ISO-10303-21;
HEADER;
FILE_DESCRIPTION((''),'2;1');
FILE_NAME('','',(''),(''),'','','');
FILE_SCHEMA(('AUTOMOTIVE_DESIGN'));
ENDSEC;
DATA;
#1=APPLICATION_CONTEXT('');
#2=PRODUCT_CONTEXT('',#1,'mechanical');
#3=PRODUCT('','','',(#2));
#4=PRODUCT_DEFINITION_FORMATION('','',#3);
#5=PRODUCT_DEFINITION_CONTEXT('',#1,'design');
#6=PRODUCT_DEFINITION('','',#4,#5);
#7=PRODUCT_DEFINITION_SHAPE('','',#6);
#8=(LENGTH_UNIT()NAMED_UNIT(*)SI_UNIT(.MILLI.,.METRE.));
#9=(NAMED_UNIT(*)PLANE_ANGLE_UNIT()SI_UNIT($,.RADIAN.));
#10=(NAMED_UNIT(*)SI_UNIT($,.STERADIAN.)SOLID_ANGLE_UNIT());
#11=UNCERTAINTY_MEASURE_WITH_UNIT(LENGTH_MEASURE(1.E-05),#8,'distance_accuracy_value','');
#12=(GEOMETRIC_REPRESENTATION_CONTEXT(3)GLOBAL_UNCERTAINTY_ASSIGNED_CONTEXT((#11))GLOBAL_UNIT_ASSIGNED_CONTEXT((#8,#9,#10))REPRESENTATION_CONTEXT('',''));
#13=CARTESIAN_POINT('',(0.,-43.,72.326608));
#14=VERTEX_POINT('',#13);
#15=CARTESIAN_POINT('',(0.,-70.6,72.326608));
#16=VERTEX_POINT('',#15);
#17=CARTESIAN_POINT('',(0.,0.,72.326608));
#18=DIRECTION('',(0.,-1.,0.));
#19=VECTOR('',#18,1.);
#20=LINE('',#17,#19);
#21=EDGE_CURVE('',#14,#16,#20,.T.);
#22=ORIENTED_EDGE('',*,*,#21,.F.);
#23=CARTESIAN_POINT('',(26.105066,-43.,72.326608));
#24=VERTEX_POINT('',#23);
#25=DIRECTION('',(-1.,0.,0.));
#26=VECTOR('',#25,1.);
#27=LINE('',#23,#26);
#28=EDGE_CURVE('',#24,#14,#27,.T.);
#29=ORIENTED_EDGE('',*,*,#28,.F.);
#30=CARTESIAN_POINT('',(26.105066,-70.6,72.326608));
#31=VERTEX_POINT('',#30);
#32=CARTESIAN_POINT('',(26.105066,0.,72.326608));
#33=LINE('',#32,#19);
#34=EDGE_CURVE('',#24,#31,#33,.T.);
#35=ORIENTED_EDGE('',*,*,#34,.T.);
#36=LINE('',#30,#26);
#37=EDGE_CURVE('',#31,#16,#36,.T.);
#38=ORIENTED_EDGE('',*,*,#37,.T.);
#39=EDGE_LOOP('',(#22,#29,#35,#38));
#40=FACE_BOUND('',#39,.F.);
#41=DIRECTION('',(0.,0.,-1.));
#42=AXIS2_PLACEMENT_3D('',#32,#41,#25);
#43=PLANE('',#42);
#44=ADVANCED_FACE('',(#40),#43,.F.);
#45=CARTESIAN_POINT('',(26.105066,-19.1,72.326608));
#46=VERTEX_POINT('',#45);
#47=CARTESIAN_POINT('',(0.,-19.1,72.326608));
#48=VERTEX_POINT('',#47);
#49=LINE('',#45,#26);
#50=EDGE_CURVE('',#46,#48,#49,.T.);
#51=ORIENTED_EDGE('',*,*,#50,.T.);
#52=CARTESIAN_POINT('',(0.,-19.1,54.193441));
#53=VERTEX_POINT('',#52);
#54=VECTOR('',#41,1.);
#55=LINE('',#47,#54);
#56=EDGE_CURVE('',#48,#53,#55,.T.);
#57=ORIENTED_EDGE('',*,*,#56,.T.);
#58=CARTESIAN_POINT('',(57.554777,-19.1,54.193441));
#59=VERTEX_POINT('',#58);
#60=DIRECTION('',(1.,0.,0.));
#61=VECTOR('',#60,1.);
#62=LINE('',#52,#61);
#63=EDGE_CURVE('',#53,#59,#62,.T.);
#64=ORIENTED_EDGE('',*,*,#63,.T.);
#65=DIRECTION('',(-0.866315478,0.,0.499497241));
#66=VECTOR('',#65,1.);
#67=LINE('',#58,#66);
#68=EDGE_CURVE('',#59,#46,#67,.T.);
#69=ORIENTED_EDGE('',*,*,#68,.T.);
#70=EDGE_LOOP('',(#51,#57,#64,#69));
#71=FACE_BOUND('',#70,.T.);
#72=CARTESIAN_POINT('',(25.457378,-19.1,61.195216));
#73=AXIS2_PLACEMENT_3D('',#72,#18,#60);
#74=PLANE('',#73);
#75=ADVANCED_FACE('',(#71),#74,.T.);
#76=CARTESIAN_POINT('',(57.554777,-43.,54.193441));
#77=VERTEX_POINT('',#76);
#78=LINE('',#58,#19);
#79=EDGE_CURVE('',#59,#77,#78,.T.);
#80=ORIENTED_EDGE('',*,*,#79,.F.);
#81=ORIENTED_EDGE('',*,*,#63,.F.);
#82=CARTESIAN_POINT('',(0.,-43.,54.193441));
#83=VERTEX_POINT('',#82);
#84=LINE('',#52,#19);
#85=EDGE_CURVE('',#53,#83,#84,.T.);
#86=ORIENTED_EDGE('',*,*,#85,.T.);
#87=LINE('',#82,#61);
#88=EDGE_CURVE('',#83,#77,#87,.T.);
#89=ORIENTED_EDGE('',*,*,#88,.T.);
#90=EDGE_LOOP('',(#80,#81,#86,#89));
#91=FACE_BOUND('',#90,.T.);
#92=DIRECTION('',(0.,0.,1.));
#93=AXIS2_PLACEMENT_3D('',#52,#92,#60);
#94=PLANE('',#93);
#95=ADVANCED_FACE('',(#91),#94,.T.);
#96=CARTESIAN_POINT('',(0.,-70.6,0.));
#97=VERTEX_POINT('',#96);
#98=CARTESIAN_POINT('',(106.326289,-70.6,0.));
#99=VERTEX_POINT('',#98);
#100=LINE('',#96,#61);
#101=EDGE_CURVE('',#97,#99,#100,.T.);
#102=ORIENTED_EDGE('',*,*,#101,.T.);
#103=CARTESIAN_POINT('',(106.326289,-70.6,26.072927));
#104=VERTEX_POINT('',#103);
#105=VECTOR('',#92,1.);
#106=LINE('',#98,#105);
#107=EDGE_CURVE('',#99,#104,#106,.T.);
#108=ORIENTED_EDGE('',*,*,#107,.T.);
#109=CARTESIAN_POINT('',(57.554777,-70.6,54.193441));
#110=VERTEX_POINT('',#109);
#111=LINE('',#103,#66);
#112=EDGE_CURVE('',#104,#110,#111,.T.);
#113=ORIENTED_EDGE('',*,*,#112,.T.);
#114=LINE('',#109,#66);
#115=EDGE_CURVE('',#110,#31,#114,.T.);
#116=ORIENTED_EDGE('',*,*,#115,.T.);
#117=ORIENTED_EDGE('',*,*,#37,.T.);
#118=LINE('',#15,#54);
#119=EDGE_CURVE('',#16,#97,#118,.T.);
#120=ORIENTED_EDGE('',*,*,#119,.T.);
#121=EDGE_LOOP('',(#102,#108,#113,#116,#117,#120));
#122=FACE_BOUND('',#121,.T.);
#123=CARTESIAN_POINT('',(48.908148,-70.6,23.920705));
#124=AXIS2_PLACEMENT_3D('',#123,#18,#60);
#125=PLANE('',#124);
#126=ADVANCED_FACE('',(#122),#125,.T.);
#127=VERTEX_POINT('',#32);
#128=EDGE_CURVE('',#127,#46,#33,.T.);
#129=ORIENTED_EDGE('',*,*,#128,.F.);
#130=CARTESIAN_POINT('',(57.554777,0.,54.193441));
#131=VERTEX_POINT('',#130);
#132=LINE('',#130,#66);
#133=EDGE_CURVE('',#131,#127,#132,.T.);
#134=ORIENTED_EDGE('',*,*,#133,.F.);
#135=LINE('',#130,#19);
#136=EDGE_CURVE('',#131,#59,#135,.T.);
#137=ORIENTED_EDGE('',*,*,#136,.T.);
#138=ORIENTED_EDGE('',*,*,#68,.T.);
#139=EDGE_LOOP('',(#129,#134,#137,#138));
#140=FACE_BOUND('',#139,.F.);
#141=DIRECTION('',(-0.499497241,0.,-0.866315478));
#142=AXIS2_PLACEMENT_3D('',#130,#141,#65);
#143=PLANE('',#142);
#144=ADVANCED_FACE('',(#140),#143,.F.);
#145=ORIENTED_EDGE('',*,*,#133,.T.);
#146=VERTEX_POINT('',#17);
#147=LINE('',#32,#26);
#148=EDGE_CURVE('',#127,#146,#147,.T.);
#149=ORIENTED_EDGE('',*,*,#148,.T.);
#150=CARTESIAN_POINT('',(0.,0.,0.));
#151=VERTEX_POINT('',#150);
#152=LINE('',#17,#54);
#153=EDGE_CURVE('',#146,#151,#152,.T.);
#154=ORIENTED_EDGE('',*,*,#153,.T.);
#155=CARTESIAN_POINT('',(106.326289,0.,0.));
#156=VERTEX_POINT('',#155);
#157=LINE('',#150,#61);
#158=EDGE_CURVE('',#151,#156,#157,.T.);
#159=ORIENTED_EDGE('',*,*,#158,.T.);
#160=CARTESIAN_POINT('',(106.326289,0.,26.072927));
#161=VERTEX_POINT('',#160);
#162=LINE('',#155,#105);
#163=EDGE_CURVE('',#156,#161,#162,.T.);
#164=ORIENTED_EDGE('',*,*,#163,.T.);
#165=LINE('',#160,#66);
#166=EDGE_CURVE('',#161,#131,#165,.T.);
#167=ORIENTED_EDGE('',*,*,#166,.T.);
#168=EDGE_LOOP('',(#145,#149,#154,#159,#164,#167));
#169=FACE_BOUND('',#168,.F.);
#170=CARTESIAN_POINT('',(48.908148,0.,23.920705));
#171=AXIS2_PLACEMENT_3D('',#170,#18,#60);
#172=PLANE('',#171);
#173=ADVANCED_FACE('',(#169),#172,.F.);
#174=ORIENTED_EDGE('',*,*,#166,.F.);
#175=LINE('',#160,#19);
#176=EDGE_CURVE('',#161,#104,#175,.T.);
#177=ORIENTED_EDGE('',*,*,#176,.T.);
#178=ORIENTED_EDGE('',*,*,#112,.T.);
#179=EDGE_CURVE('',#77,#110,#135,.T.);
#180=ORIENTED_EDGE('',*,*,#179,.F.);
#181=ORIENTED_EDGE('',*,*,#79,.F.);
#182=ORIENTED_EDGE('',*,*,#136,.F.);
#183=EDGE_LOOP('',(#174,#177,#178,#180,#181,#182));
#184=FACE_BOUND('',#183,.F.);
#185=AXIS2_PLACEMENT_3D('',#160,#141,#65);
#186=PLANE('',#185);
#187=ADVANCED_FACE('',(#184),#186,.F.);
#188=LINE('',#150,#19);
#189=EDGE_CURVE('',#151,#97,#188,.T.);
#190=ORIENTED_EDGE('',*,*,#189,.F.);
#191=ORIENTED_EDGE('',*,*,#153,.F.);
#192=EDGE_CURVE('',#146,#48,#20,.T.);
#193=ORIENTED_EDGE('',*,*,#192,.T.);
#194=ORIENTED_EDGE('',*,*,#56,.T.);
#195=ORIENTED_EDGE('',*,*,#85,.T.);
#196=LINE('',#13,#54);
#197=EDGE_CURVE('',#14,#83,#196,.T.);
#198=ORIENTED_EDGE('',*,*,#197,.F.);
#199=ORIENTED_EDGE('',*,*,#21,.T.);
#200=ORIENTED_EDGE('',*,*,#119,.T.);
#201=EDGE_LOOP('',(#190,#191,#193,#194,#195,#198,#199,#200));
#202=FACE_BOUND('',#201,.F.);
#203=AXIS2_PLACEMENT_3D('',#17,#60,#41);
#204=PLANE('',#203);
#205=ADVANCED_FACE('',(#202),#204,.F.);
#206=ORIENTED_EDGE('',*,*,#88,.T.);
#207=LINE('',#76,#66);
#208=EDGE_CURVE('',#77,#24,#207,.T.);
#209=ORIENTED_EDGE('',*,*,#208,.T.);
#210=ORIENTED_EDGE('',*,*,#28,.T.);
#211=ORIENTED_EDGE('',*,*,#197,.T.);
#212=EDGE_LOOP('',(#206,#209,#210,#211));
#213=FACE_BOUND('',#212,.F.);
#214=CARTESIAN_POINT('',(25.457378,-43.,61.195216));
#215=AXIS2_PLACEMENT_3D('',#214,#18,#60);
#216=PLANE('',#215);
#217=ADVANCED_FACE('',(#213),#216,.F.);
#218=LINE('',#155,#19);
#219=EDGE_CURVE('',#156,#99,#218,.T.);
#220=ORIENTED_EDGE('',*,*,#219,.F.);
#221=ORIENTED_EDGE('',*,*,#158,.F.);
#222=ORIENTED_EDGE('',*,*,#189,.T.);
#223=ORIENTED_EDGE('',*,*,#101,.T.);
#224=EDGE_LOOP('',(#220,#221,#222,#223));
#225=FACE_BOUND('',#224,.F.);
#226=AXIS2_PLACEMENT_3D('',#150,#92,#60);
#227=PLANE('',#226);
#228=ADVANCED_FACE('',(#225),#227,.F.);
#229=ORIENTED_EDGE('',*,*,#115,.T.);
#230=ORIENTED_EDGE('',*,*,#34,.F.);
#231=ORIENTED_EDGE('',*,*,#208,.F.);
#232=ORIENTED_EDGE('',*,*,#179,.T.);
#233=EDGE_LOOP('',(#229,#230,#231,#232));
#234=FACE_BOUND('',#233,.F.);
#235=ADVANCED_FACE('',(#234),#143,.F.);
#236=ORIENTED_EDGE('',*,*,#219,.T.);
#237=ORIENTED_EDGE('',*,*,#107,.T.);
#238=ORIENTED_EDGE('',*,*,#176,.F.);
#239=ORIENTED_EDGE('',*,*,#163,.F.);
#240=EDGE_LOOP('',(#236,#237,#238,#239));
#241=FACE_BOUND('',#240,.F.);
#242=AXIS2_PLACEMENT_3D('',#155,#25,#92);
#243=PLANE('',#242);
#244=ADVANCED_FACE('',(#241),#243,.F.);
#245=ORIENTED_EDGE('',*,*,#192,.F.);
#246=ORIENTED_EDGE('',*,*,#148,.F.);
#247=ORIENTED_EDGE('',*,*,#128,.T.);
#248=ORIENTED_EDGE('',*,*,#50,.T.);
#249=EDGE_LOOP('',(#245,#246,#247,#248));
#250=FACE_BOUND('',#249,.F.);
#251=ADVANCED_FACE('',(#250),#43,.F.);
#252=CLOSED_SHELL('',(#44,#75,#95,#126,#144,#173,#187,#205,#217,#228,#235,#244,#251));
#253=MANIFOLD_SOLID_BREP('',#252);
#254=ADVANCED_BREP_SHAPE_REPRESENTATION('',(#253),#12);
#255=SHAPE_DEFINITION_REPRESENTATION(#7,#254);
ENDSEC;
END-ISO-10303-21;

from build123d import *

# Parameters (mm, degrees)
F1_DEPTH = 70.6
F2_START = 19.1
F2_DEPTH = 23.9


with BuildPart() as f1:
    # F0 (on Front) → F1 (new body)
    with BuildSketch(Plane.XZ):
        Polygon((0, 54.1934408247), (0, 0), (106.326289475, 0), (106.326289475, 26.0729272559), (57.5547765156, 54.1934408247), align=None)
        Polygon((0, 72.3266080022), (0, 54.1934408247), (57.5547765156, 54.1934408247), (26.1050664731, 72.3266080022), align=None)
    extrude(amount=F1_DEPTH)

    # F0 (on Front) → F2 (cut)
    with BuildSketch(Plane.XZ.offset(F2_START)):
        Polygon((0, 72.3266080022), (0, 54.1934408247), (57.5547765156, 54.1934408247), (26.1050664731, 72.3266080022), align=None)
    extrude(amount=F2_DEPTH, mode=Mode.SUBTRACT)


solid = f1.part
